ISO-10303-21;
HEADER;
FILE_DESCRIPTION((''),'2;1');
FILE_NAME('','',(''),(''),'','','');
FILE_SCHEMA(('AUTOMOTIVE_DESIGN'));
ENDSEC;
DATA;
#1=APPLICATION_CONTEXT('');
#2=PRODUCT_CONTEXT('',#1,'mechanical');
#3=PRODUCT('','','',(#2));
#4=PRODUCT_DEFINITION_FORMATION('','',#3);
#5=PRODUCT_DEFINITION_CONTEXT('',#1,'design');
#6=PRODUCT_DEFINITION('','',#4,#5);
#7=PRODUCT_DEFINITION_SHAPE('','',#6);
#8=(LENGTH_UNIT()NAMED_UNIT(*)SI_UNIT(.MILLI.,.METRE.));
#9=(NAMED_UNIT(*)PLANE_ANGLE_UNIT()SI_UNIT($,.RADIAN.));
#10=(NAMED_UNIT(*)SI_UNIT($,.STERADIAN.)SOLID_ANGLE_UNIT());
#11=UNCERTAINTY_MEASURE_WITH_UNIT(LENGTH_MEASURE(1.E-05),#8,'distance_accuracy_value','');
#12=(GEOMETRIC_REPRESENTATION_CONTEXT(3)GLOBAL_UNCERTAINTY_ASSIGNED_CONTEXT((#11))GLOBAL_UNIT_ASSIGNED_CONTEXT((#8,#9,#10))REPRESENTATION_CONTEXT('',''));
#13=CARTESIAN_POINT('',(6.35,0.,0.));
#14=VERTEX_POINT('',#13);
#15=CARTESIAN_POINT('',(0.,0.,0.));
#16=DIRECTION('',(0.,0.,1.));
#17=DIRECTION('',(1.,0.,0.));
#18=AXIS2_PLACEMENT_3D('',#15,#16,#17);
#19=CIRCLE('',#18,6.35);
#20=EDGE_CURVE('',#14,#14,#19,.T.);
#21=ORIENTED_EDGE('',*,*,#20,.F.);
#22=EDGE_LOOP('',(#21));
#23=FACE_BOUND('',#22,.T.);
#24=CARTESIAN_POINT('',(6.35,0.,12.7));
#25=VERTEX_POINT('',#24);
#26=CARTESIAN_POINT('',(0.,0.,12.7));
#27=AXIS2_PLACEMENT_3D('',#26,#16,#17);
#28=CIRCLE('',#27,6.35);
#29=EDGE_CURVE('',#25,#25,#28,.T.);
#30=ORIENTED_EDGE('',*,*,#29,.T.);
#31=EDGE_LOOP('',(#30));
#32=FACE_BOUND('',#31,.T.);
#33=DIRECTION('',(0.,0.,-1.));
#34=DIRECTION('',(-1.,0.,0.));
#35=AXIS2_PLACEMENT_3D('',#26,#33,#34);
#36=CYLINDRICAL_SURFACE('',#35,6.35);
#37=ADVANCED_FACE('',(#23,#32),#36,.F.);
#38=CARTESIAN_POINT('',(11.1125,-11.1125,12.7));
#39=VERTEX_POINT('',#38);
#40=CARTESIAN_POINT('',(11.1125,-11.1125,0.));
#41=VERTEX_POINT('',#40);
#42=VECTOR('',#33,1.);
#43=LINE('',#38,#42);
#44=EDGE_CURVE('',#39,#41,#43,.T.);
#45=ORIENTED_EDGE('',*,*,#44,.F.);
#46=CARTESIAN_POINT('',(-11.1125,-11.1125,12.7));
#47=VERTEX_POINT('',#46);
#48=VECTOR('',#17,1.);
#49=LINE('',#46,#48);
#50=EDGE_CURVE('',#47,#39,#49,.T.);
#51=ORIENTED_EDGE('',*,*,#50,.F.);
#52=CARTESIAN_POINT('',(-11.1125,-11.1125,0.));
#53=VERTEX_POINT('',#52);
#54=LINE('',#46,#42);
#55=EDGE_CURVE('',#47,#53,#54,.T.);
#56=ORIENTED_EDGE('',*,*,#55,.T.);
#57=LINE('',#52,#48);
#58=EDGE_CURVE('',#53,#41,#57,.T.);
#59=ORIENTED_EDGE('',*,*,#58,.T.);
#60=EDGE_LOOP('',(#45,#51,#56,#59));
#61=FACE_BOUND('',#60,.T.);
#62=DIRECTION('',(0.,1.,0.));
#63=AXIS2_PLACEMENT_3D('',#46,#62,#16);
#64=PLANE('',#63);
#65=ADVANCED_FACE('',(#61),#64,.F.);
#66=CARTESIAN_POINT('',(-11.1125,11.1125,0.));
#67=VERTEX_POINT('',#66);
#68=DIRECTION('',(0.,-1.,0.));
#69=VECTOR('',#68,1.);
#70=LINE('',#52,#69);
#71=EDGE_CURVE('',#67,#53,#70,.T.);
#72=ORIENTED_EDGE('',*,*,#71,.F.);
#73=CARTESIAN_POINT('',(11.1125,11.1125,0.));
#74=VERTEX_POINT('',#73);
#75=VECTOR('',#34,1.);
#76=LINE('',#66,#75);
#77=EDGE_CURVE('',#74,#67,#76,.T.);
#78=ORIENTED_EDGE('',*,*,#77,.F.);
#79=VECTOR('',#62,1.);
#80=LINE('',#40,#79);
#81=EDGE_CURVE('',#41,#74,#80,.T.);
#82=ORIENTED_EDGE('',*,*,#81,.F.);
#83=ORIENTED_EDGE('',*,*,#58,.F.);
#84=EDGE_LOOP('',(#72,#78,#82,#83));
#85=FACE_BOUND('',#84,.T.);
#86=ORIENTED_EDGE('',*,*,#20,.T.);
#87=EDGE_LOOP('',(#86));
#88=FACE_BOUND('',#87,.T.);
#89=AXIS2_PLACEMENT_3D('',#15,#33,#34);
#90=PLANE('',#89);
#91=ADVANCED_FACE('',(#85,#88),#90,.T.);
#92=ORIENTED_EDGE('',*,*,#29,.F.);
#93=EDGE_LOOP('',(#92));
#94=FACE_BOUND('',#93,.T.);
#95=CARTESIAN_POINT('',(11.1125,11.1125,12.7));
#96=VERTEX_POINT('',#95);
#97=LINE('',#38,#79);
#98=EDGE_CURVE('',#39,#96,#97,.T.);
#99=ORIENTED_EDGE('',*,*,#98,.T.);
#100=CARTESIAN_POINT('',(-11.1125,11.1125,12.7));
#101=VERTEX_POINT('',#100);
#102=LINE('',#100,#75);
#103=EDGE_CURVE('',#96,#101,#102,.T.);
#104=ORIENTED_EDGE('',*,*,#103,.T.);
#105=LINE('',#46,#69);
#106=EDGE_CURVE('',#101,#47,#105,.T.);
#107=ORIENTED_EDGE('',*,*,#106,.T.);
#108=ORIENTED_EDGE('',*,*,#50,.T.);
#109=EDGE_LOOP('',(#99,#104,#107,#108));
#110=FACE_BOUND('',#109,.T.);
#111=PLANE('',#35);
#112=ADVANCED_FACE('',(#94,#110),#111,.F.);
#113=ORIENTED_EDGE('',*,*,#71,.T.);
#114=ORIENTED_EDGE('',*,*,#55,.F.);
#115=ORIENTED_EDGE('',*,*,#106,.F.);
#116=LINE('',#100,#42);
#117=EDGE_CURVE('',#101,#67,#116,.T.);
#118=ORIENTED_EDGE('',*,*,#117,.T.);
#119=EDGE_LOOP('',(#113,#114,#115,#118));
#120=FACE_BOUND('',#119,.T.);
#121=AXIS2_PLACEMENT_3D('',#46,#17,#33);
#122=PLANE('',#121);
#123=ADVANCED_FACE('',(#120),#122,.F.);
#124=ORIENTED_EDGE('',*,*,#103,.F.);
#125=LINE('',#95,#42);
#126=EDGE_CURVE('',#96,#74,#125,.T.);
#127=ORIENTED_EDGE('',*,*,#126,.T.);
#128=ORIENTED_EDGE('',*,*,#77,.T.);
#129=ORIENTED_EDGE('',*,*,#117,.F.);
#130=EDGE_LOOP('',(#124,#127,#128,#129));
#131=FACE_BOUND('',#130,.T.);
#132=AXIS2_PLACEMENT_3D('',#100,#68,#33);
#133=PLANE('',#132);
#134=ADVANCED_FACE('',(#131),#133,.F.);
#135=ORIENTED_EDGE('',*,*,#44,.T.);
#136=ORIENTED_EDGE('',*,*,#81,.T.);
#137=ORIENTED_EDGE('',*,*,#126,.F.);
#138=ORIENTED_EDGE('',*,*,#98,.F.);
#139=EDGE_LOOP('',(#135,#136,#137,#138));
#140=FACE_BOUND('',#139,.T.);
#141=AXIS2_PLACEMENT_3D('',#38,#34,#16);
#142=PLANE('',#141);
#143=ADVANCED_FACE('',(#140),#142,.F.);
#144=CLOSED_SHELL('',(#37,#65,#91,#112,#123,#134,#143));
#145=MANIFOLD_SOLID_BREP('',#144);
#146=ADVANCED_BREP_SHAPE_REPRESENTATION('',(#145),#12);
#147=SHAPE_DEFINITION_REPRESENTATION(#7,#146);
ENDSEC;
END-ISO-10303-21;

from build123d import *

# Parameters (mm, degrees)
SKETCH1_W           = 22.225
SKETCH1_H           = 22.225
SKETCH1_R           = 6.35
BOSS_EXTRUDE1_DEPTH = 12.7


with BuildPart() as part:
    # Sketch1 → Boss-Extrude1 (new body)
    with BuildSketch(Plane.XY):
        Rectangle(SKETCH1_W, SKETCH1_H)
        Circle(SKETCH1_R, mode=Mode.SUBTRACT)
    extrude(amount=BOSS_EXTRUDE1_DEPTH)


solid = part.part
